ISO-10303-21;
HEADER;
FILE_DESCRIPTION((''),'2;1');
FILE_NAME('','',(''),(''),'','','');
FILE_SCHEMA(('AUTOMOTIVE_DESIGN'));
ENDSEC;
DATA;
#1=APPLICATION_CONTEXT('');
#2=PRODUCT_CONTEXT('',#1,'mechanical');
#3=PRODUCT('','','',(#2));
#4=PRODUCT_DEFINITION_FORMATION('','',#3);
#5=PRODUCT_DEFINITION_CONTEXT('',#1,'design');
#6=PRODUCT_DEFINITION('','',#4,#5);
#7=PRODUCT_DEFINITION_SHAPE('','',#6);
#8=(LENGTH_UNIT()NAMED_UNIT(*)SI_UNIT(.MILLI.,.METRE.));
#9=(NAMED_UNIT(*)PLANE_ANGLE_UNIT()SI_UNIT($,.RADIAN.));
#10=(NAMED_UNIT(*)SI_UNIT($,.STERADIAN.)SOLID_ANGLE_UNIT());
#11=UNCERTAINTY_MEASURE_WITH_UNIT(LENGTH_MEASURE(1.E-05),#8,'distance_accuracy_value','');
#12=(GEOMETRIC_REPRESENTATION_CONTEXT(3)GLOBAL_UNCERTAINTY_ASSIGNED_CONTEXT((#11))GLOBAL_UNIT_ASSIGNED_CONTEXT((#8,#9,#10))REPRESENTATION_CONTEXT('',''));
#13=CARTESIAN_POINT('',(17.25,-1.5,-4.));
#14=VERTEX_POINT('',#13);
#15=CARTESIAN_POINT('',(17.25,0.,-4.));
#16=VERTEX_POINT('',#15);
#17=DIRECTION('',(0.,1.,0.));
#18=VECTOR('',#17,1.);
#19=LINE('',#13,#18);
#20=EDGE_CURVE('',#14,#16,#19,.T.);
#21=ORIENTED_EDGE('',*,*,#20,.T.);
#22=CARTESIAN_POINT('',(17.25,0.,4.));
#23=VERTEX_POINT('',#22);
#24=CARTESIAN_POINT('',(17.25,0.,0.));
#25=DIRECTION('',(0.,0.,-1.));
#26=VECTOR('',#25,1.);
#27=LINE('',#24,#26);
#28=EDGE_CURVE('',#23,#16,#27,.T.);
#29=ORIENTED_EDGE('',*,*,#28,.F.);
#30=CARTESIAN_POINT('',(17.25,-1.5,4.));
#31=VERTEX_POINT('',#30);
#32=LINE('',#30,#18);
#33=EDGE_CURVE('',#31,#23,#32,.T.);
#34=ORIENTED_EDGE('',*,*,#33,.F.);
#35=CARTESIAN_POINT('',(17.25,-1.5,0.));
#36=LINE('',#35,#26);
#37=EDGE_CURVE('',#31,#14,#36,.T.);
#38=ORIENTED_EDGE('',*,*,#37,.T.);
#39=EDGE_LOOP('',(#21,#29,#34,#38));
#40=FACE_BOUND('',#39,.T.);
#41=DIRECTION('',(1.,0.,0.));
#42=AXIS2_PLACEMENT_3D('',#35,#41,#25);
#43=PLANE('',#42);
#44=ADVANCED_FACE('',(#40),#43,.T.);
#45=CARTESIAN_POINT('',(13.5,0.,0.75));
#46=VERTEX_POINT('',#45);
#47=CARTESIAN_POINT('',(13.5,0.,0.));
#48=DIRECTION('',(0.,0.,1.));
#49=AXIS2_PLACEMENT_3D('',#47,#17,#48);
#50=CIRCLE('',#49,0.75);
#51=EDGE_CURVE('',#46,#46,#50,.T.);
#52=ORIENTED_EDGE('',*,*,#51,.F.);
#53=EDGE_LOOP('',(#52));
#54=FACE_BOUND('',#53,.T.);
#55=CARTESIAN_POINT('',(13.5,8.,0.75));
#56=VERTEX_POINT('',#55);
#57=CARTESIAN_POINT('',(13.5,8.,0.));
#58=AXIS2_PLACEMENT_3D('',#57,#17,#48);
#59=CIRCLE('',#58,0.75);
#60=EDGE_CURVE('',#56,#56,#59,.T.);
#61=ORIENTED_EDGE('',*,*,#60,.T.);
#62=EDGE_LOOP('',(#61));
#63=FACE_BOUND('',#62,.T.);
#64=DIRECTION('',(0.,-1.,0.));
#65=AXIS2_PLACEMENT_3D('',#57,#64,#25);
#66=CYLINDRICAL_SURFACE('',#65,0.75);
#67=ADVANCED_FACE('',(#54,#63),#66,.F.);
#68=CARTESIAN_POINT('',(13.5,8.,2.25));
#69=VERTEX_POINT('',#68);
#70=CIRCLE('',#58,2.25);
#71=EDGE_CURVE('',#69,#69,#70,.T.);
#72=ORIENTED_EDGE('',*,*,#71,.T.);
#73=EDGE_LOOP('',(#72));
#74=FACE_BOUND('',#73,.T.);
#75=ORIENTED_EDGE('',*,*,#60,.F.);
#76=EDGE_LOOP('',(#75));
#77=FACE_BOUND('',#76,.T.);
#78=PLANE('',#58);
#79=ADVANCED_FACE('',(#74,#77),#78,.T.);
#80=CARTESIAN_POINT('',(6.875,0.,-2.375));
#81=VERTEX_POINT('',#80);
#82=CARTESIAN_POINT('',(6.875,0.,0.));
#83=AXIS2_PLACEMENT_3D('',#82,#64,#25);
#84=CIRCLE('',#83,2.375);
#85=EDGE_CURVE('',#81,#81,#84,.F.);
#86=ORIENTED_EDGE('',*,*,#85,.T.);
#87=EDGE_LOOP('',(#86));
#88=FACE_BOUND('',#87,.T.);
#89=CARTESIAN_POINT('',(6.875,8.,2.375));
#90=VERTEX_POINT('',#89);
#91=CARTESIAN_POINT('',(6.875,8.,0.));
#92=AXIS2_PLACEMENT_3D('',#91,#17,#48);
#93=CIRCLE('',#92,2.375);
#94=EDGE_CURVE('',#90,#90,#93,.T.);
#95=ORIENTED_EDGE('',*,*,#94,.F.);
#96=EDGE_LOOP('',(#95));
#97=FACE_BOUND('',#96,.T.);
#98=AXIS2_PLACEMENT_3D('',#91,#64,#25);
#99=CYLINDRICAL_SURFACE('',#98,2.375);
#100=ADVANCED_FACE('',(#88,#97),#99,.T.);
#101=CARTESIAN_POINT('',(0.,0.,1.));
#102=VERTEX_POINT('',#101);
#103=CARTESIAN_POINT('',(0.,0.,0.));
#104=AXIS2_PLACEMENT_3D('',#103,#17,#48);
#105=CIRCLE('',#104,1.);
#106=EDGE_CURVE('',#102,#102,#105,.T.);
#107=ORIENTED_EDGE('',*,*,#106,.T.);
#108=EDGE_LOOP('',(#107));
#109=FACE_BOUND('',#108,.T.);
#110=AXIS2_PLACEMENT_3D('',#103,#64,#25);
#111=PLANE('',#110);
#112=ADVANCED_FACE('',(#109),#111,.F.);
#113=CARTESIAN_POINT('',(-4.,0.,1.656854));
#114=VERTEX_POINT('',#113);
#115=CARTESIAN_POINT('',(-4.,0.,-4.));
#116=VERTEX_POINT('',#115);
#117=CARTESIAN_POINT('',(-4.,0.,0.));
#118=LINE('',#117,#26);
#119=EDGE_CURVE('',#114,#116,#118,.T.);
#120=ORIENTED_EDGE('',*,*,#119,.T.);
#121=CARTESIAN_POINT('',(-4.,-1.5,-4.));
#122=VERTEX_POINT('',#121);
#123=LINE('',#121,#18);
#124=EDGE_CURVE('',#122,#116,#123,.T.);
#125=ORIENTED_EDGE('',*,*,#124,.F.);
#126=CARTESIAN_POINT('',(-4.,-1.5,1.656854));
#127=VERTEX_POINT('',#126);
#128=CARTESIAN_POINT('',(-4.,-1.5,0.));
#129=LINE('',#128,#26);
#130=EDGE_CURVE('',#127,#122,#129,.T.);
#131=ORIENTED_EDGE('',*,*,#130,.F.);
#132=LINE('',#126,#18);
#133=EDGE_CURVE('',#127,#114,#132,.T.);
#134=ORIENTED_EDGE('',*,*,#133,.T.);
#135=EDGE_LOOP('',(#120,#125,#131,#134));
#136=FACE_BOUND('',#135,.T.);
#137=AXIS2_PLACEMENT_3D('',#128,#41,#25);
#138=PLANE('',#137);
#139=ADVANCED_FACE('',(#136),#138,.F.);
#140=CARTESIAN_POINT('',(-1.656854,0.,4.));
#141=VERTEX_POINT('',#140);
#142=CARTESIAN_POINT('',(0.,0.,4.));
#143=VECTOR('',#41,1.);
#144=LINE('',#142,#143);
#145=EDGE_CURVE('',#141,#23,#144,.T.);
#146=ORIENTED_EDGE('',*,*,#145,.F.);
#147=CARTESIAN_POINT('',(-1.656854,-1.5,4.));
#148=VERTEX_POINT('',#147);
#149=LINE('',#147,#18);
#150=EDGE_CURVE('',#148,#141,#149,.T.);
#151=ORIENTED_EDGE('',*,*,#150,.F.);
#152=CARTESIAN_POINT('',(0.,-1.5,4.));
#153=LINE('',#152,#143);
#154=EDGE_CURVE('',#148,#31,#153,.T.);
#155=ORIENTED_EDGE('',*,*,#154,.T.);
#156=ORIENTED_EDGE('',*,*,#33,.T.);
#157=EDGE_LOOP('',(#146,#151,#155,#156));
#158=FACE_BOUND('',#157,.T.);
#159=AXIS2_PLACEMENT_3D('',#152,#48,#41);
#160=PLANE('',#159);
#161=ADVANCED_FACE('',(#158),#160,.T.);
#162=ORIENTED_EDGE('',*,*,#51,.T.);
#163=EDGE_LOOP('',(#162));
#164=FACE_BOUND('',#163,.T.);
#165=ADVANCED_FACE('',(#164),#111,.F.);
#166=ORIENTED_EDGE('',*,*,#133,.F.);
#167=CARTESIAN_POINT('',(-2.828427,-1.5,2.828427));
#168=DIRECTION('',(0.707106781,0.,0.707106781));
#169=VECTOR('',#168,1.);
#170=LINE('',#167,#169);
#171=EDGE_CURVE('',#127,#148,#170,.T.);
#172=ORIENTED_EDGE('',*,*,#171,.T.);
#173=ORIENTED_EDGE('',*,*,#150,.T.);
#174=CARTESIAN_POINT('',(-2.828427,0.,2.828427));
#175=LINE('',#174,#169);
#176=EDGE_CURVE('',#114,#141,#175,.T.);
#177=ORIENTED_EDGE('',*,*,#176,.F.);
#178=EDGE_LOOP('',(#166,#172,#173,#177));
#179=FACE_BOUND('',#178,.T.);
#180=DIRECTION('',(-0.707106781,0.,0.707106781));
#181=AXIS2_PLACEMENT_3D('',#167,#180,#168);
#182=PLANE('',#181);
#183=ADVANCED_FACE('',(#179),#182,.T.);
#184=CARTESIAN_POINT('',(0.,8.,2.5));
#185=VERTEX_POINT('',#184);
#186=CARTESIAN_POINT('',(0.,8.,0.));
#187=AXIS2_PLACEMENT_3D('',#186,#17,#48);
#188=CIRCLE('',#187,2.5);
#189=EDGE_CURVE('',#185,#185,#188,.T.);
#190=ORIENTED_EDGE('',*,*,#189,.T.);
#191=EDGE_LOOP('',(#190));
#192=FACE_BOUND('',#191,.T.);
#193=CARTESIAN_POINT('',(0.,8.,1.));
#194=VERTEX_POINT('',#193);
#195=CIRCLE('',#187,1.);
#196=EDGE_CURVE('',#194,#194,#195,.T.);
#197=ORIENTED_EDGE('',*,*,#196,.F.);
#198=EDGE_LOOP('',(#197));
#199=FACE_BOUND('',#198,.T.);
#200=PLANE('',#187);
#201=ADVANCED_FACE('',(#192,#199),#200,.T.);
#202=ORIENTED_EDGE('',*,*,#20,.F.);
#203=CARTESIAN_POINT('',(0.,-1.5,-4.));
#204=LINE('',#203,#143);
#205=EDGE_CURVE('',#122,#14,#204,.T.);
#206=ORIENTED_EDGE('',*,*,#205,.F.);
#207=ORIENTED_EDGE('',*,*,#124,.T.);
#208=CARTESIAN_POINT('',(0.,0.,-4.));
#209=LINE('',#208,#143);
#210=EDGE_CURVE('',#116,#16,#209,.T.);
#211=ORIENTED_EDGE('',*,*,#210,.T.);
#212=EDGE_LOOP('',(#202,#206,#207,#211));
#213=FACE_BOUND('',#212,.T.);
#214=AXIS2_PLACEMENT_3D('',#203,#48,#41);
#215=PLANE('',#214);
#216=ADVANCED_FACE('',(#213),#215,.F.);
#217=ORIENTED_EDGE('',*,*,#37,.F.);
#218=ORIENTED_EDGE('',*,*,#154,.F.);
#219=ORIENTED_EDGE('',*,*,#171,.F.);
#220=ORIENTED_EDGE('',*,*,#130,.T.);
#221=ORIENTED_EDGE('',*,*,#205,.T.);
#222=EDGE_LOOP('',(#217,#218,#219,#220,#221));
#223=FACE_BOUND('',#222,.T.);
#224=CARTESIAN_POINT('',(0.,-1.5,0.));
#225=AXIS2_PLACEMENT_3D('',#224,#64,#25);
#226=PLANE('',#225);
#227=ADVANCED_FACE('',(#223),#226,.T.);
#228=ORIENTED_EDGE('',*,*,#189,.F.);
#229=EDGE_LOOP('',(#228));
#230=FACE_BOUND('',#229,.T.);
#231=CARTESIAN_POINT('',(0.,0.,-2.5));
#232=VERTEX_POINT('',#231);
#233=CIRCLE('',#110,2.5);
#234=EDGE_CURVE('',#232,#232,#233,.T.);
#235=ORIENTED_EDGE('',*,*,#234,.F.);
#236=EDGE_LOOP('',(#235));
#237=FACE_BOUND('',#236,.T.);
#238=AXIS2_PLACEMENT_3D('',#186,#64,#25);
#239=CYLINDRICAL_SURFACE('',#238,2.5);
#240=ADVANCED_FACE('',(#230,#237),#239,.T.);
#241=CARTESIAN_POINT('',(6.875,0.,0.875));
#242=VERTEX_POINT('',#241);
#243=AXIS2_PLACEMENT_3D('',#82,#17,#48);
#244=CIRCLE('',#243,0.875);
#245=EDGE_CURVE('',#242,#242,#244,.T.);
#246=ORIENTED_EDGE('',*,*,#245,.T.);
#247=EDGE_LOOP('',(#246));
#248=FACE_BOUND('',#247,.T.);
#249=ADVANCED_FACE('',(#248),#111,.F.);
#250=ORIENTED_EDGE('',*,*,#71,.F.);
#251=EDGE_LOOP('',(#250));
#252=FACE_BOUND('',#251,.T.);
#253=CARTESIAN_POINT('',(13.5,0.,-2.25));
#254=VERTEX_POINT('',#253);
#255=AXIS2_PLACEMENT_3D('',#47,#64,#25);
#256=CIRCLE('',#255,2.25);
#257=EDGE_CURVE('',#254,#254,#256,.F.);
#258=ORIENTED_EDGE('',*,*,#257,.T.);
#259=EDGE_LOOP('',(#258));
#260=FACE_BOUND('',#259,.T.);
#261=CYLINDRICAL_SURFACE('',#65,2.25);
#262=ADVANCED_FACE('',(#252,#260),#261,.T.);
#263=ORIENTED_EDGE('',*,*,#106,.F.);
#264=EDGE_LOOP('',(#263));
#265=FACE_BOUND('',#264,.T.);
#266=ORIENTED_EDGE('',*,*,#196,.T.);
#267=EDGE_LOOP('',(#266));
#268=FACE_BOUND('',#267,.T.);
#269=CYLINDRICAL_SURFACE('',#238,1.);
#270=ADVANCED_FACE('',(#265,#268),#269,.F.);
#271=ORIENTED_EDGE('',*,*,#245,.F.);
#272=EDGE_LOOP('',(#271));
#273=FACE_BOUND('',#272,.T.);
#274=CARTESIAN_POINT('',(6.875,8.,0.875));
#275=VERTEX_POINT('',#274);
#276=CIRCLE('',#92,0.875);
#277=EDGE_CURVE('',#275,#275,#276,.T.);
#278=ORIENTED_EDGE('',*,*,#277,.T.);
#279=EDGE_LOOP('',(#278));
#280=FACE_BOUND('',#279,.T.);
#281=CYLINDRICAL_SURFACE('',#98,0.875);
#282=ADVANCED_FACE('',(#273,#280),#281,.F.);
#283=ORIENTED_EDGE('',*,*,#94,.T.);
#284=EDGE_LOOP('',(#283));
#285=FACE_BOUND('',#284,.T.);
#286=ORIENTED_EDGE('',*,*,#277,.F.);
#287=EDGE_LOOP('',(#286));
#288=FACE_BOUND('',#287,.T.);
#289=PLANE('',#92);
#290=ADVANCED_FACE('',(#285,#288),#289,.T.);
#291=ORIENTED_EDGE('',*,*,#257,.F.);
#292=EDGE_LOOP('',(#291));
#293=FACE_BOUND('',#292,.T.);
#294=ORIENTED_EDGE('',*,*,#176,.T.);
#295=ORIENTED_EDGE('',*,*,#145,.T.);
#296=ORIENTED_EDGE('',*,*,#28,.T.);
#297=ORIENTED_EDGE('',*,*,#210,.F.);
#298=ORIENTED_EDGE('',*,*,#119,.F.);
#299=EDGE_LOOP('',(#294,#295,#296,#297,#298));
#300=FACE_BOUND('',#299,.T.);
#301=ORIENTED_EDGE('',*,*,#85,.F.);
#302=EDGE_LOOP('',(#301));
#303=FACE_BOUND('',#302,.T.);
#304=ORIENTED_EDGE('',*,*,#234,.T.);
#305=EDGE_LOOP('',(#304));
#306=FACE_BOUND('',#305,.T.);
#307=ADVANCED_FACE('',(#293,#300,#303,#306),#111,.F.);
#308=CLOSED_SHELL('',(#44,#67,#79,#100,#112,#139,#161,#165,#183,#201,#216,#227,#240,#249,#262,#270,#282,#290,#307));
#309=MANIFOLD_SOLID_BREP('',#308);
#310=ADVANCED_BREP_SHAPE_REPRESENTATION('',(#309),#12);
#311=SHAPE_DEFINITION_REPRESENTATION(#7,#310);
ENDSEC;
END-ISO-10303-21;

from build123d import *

# Parameters (mm, degrees)
SKETCH1_R             = 2.5
SKETCH1_R_2           = 1
BOSS_EXTRUDE1_DEPTH   = 8
SKETCH1_R_3           = 2.375
SKETCH1_R_4           = 0.875
BOSS_EXTRUDE1_2_DEPTH = 8
SKETCH1_R_5           = 2.25
SKETCH1_R_6           = 0.75
BOSS_EXTRUDE1_3_DEPTH = 8
BOSS_EXTRUDE2_START   = 1.5
SKETCH2_R             = 2.5
SKETCH2_R_2           = 1
BOSS_EXTRUDE2_DEPTH   = 1.5


with BuildPart() as part:
    # Sketch1 → Boss-Extrude1 (new body)
    with BuildSketch(Plane(origin=(0, 0, 0), x_dir=(1, 0, 0), z_dir=(0, 1, 0))):
        with Locations(Location((0, 0, 0), (0, 0, 270))):
            Circle(SKETCH1_R)
        with Locations(Location((0, 0, 0), (0, 0, 270))):
            Circle(SKETCH1_R_2, mode=Mode.SUBTRACT)
    extrude(amount=BOSS_EXTRUDE1_DEPTH)



with BuildPart() as body_2:
    # Sketch1 → Boss-Extrude1 2 (new body)
    with BuildSketch(Plane(origin=(0, 0, 0), x_dir=(1, 0, 0), z_dir=(0, 1, 0))):
        with Locations(Location((6.875, 0, 0), (0, 0, 270))):
            Circle(SKETCH1_R_3)
        with Locations(Location((6.875, 0, 0), (0, 0, 270))):
            Circle(SKETCH1_R_4, mode=Mode.SUBTRACT)
    extrude(amount=BOSS_EXTRUDE1_2_DEPTH)


with BuildPart() as body_3:
    # Sketch1 → Boss-Extrude1 3 (new body)
    with BuildSketch(Plane(origin=(0, 0, 0), x_dir=(1, 0, 0), z_dir=(0, 1, 0))):
        with Locations(Location((13.5, 0, 0), (0, 0, 270))):
            Circle(SKETCH1_R_5)
        with Locations(Location((13.5, 0, 0), (0, 0, 270))):
            Circle(SKETCH1_R_6, mode=Mode.SUBTRACT)
    extrude(amount=BOSS_EXTRUDE1_3_DEPTH)


with BuildPart() as part_1:
    add(part.part)

    add(body_2.part)  # Boss-Extrude2 merges body 2

    add(body_3.part)  # Boss-Extrude2 merges body 3
    # Sketch2 → Boss-Extrude2 (add)
    # profile 1 of 3: a face of its own
    with BuildSketch(Plane.XZ.offset(BOSS_EXTRUDE2_START)):
        Polygon((17.25, 4), (-1.656854249, 4), (-4, 1.656854249), (-4, -4), (17.25, -4), align=None)
        with Locations(Location((0, 0, 0), (0, 0, 270))):
            Circle(SKETCH2_R, mode=Mode.SUBTRACT)
    # profile 2 of 3: a face of its own
    with BuildSketch(Plane.XZ.offset(BOSS_EXTRUDE2_START)):
        with Locations(Location((0, 0, 0), (0, 0, 270))):
            Circle(SKETCH2_R)
        with Locations(Location((0, 0, 0), (0, 0, 90))):
            Circle(SKETCH2_R_2, mode=Mode.SUBTRACT)
    # profile 3 of 3: a face of its own
    with BuildSketch(Plane.XZ.offset(BOSS_EXTRUDE2_START)):
        with Locations(Location((0, 0, 0), (0, 0, 90))):
            Circle(SKETCH2_R_2)
    extrude(amount=-BOSS_EXTRUDE2_DEPTH)


solid = part_1.part
